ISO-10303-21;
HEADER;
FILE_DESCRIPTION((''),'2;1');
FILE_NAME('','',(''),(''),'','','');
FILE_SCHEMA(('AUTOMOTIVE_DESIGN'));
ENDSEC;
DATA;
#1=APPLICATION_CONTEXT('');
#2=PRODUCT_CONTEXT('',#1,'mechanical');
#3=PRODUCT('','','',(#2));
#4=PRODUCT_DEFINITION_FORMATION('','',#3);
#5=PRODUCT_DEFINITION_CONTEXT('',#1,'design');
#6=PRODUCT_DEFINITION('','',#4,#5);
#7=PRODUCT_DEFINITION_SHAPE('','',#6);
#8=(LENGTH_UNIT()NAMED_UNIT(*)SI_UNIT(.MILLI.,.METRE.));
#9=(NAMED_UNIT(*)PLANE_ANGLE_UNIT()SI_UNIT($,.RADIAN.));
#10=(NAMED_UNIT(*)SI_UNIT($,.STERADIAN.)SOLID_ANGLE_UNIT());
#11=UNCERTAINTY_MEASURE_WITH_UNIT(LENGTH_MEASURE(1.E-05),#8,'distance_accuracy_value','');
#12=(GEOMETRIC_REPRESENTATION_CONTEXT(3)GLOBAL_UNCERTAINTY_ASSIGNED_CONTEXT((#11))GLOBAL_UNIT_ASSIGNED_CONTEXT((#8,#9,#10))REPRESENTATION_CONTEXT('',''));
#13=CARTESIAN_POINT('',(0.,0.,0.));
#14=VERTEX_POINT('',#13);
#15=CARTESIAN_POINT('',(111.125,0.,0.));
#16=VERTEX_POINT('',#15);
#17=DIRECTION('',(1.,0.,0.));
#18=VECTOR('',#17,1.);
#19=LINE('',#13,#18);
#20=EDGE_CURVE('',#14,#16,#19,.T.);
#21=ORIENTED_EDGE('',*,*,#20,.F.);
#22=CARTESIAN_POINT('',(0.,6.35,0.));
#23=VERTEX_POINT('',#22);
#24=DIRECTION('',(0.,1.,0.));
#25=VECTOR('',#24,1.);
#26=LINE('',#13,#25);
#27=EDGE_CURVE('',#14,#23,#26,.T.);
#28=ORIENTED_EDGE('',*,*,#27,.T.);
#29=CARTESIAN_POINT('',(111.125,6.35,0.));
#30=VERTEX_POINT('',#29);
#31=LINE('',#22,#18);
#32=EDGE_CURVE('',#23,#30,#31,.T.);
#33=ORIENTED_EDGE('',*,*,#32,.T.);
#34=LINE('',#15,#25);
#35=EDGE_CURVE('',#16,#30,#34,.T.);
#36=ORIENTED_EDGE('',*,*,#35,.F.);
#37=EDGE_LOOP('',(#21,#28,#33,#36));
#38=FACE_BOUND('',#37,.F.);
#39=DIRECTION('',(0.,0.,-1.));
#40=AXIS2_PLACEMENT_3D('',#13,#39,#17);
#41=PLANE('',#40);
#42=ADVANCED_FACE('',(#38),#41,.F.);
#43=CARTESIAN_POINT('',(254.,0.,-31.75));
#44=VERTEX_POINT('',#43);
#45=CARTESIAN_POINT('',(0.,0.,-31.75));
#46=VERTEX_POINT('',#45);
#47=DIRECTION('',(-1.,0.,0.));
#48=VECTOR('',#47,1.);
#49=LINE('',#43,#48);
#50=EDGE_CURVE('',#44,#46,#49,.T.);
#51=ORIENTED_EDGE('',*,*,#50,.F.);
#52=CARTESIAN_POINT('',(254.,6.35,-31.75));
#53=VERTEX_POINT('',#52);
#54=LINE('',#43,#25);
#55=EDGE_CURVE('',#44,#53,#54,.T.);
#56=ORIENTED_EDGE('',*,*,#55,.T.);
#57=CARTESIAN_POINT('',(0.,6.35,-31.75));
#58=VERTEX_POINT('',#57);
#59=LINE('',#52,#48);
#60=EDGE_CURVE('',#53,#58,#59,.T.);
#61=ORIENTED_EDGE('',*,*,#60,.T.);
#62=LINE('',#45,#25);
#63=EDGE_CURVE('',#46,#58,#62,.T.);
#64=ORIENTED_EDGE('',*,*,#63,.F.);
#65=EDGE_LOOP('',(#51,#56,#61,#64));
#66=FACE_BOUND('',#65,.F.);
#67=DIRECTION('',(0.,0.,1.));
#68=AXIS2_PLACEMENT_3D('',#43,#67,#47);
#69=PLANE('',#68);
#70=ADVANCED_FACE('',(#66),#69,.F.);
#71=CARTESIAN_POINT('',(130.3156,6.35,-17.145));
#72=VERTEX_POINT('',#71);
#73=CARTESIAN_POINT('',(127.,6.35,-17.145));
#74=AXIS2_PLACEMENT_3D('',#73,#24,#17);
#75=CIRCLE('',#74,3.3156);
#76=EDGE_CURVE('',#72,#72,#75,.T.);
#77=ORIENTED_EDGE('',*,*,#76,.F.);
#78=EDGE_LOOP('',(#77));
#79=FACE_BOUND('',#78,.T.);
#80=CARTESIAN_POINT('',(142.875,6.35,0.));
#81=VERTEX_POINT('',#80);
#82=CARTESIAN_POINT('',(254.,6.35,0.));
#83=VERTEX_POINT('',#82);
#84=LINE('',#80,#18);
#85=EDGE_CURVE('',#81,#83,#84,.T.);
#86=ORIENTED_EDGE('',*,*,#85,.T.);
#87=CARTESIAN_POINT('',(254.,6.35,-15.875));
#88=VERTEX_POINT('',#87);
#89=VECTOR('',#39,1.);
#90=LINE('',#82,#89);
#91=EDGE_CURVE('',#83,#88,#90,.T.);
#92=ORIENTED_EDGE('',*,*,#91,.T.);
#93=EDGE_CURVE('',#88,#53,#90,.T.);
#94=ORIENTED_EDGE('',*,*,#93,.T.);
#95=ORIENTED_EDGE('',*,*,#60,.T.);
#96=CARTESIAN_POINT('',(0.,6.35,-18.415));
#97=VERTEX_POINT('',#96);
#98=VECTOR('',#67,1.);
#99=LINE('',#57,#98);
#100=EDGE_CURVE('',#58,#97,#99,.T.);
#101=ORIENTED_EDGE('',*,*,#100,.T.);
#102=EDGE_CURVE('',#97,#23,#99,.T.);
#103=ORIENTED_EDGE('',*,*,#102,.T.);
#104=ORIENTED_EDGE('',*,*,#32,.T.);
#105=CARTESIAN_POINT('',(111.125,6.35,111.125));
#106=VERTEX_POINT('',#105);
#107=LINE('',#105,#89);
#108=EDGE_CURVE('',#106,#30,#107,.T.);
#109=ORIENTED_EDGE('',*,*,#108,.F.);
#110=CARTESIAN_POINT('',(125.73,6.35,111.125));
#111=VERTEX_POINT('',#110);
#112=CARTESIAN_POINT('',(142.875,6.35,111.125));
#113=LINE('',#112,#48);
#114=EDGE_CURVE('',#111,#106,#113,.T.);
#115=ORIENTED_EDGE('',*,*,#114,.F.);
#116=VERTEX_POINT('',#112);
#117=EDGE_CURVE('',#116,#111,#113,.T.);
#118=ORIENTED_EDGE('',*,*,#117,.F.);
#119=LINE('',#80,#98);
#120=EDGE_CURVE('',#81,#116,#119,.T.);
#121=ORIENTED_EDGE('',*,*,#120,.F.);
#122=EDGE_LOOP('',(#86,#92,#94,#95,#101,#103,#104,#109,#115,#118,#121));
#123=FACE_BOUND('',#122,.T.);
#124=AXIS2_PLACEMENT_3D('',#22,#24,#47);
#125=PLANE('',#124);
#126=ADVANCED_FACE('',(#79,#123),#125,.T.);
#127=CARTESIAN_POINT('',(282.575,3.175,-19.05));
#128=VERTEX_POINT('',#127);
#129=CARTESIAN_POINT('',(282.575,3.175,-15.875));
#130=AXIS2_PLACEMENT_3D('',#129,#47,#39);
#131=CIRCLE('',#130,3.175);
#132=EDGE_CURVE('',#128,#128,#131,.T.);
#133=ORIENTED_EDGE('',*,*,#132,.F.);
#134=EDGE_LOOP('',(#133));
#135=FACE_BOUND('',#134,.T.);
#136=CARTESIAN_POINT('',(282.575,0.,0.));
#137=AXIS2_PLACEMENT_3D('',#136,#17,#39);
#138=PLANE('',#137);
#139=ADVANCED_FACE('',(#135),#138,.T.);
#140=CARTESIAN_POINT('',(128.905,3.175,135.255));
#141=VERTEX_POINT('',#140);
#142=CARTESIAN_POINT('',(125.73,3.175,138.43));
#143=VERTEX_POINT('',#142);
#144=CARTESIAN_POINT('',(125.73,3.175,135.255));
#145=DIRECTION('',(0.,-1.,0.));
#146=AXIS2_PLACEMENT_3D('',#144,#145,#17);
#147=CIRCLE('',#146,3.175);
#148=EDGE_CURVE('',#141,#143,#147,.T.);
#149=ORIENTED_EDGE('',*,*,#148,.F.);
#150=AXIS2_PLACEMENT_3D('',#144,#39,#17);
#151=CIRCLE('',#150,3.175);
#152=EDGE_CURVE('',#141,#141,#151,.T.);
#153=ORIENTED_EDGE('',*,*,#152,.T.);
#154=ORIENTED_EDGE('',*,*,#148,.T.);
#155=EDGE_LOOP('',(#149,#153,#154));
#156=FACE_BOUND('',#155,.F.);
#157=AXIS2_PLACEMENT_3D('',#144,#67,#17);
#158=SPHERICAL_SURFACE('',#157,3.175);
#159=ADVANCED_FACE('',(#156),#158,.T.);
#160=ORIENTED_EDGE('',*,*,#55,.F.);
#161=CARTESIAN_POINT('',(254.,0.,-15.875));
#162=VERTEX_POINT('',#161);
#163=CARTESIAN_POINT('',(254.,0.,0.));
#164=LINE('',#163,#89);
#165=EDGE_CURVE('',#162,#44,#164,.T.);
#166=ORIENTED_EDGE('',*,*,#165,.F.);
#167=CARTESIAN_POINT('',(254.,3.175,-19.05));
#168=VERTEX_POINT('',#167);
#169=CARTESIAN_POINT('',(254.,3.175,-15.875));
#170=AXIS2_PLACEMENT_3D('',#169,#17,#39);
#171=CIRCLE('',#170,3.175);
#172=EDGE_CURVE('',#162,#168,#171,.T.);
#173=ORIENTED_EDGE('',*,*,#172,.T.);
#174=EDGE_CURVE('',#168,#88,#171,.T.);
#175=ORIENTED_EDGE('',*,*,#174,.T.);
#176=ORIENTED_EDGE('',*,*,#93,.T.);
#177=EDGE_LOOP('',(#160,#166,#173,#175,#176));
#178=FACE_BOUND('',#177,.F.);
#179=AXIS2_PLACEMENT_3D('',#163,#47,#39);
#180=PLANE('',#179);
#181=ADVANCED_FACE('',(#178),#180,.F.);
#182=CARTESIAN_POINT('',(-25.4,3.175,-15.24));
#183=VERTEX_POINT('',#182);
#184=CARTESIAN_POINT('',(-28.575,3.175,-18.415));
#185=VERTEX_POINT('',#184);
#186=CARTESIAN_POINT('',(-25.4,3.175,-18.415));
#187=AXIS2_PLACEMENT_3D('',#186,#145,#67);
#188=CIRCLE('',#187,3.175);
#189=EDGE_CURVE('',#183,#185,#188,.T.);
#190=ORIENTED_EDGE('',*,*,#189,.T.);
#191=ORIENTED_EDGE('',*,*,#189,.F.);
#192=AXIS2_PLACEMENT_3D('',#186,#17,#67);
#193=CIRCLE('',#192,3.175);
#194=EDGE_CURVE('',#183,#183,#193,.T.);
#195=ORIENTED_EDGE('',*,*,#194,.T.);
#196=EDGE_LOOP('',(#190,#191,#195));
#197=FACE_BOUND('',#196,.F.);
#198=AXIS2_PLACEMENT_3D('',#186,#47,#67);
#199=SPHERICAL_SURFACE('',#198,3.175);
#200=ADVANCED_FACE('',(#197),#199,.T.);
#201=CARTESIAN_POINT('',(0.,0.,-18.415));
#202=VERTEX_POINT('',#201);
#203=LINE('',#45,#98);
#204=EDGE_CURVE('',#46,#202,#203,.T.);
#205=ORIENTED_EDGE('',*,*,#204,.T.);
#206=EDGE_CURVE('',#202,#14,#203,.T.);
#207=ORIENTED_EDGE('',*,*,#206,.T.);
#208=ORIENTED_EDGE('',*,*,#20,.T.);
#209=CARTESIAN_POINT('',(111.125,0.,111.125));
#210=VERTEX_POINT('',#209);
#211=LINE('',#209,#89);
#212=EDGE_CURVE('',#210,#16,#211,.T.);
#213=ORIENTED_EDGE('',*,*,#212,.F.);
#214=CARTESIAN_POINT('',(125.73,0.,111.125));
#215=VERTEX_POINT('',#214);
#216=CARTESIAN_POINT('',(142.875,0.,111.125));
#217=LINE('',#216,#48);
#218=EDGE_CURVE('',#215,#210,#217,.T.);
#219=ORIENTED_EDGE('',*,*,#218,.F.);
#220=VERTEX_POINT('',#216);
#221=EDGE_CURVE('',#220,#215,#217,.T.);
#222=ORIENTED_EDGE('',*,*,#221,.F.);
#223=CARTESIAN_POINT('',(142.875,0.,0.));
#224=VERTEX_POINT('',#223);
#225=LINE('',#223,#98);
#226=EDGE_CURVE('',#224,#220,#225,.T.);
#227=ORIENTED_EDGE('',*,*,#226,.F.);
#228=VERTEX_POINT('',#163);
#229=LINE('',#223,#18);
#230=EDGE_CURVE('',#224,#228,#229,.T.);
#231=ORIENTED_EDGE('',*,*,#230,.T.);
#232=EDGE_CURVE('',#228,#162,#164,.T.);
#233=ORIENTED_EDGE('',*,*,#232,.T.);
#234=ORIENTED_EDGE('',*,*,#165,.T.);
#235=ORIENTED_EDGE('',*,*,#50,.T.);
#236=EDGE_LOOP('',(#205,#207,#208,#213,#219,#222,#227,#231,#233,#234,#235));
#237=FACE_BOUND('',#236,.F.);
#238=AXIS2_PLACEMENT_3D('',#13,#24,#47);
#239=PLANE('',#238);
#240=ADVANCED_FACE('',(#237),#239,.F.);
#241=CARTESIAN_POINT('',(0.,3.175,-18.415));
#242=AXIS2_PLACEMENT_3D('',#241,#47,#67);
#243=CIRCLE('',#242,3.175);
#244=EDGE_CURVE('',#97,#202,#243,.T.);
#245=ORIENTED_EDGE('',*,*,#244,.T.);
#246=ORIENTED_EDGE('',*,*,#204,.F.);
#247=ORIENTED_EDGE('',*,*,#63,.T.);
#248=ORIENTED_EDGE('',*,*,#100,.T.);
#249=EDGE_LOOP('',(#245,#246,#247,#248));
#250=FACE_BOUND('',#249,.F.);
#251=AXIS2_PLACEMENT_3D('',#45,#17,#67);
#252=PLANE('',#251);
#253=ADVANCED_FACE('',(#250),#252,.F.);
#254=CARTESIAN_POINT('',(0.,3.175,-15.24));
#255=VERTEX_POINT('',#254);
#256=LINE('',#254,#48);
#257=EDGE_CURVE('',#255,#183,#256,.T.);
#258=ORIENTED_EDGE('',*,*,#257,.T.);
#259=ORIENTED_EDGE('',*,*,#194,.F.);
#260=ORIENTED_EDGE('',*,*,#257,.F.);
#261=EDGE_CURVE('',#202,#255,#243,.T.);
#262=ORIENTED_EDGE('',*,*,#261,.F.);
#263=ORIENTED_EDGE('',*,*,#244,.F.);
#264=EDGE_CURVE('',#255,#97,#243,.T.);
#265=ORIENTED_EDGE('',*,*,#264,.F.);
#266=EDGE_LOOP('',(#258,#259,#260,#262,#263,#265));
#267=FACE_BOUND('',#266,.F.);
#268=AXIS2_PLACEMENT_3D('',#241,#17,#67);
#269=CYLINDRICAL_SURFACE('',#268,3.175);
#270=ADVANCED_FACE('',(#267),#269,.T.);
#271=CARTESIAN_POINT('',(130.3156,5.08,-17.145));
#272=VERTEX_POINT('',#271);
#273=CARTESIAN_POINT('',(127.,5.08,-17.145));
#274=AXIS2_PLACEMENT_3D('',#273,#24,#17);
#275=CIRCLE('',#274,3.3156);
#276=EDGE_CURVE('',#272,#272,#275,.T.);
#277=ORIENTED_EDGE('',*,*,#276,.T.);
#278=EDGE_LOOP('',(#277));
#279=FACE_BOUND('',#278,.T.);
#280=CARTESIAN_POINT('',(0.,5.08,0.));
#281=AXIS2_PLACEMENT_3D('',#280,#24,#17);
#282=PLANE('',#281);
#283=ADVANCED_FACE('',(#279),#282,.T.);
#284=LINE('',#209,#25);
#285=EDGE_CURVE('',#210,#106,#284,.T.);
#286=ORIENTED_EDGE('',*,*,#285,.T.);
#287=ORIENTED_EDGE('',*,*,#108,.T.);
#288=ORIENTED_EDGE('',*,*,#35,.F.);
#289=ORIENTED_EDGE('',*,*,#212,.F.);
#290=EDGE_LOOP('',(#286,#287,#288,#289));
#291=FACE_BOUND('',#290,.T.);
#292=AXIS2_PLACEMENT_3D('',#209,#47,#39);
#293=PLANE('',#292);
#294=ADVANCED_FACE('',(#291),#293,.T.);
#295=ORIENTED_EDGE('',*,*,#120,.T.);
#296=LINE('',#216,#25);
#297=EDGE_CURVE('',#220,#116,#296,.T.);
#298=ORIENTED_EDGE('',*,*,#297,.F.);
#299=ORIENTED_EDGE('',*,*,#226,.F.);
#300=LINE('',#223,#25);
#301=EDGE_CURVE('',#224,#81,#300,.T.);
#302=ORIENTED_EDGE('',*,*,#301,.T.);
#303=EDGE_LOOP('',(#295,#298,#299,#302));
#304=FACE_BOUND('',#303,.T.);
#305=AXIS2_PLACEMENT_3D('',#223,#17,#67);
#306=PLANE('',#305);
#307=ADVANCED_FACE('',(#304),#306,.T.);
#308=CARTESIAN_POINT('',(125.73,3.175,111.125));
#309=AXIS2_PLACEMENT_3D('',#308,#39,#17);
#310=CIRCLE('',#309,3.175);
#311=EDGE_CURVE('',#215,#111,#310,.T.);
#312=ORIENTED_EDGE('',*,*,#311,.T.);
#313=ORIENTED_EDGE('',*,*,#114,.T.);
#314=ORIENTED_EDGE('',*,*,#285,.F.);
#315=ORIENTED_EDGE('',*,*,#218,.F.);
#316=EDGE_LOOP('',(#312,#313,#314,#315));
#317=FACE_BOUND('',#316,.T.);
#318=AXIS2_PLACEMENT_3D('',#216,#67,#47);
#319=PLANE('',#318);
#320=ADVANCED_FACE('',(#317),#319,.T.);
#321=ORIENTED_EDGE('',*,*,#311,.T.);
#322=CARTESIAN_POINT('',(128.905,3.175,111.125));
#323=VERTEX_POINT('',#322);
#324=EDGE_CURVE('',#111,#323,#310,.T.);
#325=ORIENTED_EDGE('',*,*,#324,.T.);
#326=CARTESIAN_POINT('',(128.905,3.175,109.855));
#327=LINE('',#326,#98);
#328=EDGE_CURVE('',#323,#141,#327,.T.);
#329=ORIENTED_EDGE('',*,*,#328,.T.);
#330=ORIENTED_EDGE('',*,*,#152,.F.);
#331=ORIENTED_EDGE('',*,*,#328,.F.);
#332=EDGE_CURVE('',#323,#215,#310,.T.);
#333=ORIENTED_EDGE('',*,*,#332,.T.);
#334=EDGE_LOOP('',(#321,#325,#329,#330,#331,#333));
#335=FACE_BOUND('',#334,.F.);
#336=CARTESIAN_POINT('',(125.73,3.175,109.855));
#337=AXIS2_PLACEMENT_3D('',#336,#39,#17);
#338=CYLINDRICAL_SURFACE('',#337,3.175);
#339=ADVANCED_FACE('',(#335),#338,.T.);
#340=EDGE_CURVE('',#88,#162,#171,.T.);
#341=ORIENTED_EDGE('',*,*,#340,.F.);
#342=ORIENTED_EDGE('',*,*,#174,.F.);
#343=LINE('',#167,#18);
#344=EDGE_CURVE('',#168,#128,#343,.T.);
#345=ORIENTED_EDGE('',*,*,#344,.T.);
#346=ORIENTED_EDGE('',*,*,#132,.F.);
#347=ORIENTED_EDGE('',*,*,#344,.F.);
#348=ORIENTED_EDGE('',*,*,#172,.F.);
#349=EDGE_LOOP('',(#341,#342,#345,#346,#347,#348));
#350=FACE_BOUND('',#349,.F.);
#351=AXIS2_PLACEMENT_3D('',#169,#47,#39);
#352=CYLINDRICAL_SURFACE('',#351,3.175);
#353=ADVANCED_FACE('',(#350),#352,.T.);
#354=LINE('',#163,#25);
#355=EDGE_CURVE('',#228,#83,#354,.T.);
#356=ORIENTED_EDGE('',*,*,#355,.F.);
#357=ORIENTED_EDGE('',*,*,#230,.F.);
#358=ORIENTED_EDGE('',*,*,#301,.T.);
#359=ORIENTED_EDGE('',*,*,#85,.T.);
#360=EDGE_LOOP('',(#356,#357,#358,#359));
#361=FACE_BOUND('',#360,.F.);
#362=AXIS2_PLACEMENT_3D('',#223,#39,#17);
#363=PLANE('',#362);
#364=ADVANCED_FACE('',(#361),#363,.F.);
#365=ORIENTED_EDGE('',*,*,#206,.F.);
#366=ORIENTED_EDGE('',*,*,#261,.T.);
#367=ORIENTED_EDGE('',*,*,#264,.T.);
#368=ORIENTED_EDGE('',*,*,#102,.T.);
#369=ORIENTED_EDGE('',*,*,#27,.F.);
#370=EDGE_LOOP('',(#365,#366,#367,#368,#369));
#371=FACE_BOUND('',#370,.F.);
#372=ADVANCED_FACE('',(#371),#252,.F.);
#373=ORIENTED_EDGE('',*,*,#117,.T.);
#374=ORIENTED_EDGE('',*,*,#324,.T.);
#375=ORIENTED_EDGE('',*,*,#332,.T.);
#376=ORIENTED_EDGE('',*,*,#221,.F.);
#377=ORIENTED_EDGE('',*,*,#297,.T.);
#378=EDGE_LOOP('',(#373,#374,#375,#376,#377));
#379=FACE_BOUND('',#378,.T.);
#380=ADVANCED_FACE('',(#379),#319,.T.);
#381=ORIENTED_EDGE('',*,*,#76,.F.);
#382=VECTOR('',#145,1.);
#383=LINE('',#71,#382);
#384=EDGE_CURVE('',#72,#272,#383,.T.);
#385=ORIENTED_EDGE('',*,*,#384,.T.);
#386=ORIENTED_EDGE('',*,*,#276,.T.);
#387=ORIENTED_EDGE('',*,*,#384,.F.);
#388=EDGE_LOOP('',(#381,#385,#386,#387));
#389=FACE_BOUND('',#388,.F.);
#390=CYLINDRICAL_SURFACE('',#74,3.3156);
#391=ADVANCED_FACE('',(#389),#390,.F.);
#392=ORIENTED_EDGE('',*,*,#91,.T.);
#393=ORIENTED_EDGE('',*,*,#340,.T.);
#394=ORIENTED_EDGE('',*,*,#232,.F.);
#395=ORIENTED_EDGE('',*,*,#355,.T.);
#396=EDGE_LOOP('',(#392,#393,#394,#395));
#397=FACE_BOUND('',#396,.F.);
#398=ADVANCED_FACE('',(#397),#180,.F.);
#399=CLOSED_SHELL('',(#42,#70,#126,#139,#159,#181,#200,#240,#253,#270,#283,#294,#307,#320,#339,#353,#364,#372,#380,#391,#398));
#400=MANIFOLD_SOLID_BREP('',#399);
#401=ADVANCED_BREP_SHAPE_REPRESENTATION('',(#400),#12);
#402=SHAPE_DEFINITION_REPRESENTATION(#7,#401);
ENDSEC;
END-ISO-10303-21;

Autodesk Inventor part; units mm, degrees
ref_plane "YZ Plane" through (0, 0, 0) normal (1, 0, 0) x (0, 1, 0)
ref_plane "XZ Plane" through (0, 0, 0) normal (0, 1, 0) x (-1, 0, 0)
ref_plane "XY Plane" through (0, 0, 0) normal (0, 0, 1) x (1, 0, 0)
sketch "Sketch1" plane through (0, 0, 0) normal (0, 1, 0) x (-1, 0, 0)
  line L0 (-254, 0) -> (-254, -31.75)
  line L1 (-254, -31.75) -> (0, -31.75)
  line L2 (0, -31.75) -> (0, 0)
  line L3 (-111.125, -15.875) -> (-142.875, -15.875)
  line L4 (-142.875, 0) -> (-142.875, 111.125)
  line L5 (-142.875, 111.125) -> (-111.125, 111.125)
  line L6 (-111.125, 111.125) -> (-111.125, 0)
  line L7 (0, 0) -> (-111.125, 0)
  line L8 (-142.875, 0) -> (-254, 0)
  point P0 (-127, -15.875)
  dimension "d0" = 254
  dimension "d1" = 31.75
  dimension "d5" = 15.875
  dimension "d6" = 127
  dimension "d7" = 15.875
  dimension "d8" = 127
extrude "Extrusion1" add sketch "Sketch1" along normal blind 6.35
sketch "Sketch3" plane through (0, 6.35, 0) normal (0, 1, 0) x (1, 0, 0)
  line L0 (0, 0) -> (111.125, 0) projected
  line L1 (0, 31.75) -> (0, 0) projected
  circle A0 centre (127, 17.145) radius 3.3156
  dimension "d13" = 17.145
  dimension "d14" = 127
extrude "Extrusion3" cut sketch "Sketch3" against normal blind 1.27
sketch "Sketch4" plane through (254, 0, 0) normal (1, 0, 0) x (0, 0, -1)
  line L0 (31.75, 0) -> (0, 0) projected
  line L1 (31.75, 0) -> (31.75, 6.35) projected
  circle A0 centre (15.875, 3.175) radius 3.175
  dimension "d21" = 15.875
  dimension "d22" = 3.175
extrude "Extrusion4" add sketch "Sketch4" along normal blind 28.575
pattern_circular "Circular Pattern2" count 3 over 180 about axis through (127, 6.35, -17.145) along (0, -1, 0) of "Extrusion4"
fillet "Fillet1" radius 3.175 1 edges at (122.555, 3.175, 138.43)
fillet "Fillet2" radius 3.175 1 edges at (-28.575, 3.175, -21.59)
properties part number "Motor_Mount"
